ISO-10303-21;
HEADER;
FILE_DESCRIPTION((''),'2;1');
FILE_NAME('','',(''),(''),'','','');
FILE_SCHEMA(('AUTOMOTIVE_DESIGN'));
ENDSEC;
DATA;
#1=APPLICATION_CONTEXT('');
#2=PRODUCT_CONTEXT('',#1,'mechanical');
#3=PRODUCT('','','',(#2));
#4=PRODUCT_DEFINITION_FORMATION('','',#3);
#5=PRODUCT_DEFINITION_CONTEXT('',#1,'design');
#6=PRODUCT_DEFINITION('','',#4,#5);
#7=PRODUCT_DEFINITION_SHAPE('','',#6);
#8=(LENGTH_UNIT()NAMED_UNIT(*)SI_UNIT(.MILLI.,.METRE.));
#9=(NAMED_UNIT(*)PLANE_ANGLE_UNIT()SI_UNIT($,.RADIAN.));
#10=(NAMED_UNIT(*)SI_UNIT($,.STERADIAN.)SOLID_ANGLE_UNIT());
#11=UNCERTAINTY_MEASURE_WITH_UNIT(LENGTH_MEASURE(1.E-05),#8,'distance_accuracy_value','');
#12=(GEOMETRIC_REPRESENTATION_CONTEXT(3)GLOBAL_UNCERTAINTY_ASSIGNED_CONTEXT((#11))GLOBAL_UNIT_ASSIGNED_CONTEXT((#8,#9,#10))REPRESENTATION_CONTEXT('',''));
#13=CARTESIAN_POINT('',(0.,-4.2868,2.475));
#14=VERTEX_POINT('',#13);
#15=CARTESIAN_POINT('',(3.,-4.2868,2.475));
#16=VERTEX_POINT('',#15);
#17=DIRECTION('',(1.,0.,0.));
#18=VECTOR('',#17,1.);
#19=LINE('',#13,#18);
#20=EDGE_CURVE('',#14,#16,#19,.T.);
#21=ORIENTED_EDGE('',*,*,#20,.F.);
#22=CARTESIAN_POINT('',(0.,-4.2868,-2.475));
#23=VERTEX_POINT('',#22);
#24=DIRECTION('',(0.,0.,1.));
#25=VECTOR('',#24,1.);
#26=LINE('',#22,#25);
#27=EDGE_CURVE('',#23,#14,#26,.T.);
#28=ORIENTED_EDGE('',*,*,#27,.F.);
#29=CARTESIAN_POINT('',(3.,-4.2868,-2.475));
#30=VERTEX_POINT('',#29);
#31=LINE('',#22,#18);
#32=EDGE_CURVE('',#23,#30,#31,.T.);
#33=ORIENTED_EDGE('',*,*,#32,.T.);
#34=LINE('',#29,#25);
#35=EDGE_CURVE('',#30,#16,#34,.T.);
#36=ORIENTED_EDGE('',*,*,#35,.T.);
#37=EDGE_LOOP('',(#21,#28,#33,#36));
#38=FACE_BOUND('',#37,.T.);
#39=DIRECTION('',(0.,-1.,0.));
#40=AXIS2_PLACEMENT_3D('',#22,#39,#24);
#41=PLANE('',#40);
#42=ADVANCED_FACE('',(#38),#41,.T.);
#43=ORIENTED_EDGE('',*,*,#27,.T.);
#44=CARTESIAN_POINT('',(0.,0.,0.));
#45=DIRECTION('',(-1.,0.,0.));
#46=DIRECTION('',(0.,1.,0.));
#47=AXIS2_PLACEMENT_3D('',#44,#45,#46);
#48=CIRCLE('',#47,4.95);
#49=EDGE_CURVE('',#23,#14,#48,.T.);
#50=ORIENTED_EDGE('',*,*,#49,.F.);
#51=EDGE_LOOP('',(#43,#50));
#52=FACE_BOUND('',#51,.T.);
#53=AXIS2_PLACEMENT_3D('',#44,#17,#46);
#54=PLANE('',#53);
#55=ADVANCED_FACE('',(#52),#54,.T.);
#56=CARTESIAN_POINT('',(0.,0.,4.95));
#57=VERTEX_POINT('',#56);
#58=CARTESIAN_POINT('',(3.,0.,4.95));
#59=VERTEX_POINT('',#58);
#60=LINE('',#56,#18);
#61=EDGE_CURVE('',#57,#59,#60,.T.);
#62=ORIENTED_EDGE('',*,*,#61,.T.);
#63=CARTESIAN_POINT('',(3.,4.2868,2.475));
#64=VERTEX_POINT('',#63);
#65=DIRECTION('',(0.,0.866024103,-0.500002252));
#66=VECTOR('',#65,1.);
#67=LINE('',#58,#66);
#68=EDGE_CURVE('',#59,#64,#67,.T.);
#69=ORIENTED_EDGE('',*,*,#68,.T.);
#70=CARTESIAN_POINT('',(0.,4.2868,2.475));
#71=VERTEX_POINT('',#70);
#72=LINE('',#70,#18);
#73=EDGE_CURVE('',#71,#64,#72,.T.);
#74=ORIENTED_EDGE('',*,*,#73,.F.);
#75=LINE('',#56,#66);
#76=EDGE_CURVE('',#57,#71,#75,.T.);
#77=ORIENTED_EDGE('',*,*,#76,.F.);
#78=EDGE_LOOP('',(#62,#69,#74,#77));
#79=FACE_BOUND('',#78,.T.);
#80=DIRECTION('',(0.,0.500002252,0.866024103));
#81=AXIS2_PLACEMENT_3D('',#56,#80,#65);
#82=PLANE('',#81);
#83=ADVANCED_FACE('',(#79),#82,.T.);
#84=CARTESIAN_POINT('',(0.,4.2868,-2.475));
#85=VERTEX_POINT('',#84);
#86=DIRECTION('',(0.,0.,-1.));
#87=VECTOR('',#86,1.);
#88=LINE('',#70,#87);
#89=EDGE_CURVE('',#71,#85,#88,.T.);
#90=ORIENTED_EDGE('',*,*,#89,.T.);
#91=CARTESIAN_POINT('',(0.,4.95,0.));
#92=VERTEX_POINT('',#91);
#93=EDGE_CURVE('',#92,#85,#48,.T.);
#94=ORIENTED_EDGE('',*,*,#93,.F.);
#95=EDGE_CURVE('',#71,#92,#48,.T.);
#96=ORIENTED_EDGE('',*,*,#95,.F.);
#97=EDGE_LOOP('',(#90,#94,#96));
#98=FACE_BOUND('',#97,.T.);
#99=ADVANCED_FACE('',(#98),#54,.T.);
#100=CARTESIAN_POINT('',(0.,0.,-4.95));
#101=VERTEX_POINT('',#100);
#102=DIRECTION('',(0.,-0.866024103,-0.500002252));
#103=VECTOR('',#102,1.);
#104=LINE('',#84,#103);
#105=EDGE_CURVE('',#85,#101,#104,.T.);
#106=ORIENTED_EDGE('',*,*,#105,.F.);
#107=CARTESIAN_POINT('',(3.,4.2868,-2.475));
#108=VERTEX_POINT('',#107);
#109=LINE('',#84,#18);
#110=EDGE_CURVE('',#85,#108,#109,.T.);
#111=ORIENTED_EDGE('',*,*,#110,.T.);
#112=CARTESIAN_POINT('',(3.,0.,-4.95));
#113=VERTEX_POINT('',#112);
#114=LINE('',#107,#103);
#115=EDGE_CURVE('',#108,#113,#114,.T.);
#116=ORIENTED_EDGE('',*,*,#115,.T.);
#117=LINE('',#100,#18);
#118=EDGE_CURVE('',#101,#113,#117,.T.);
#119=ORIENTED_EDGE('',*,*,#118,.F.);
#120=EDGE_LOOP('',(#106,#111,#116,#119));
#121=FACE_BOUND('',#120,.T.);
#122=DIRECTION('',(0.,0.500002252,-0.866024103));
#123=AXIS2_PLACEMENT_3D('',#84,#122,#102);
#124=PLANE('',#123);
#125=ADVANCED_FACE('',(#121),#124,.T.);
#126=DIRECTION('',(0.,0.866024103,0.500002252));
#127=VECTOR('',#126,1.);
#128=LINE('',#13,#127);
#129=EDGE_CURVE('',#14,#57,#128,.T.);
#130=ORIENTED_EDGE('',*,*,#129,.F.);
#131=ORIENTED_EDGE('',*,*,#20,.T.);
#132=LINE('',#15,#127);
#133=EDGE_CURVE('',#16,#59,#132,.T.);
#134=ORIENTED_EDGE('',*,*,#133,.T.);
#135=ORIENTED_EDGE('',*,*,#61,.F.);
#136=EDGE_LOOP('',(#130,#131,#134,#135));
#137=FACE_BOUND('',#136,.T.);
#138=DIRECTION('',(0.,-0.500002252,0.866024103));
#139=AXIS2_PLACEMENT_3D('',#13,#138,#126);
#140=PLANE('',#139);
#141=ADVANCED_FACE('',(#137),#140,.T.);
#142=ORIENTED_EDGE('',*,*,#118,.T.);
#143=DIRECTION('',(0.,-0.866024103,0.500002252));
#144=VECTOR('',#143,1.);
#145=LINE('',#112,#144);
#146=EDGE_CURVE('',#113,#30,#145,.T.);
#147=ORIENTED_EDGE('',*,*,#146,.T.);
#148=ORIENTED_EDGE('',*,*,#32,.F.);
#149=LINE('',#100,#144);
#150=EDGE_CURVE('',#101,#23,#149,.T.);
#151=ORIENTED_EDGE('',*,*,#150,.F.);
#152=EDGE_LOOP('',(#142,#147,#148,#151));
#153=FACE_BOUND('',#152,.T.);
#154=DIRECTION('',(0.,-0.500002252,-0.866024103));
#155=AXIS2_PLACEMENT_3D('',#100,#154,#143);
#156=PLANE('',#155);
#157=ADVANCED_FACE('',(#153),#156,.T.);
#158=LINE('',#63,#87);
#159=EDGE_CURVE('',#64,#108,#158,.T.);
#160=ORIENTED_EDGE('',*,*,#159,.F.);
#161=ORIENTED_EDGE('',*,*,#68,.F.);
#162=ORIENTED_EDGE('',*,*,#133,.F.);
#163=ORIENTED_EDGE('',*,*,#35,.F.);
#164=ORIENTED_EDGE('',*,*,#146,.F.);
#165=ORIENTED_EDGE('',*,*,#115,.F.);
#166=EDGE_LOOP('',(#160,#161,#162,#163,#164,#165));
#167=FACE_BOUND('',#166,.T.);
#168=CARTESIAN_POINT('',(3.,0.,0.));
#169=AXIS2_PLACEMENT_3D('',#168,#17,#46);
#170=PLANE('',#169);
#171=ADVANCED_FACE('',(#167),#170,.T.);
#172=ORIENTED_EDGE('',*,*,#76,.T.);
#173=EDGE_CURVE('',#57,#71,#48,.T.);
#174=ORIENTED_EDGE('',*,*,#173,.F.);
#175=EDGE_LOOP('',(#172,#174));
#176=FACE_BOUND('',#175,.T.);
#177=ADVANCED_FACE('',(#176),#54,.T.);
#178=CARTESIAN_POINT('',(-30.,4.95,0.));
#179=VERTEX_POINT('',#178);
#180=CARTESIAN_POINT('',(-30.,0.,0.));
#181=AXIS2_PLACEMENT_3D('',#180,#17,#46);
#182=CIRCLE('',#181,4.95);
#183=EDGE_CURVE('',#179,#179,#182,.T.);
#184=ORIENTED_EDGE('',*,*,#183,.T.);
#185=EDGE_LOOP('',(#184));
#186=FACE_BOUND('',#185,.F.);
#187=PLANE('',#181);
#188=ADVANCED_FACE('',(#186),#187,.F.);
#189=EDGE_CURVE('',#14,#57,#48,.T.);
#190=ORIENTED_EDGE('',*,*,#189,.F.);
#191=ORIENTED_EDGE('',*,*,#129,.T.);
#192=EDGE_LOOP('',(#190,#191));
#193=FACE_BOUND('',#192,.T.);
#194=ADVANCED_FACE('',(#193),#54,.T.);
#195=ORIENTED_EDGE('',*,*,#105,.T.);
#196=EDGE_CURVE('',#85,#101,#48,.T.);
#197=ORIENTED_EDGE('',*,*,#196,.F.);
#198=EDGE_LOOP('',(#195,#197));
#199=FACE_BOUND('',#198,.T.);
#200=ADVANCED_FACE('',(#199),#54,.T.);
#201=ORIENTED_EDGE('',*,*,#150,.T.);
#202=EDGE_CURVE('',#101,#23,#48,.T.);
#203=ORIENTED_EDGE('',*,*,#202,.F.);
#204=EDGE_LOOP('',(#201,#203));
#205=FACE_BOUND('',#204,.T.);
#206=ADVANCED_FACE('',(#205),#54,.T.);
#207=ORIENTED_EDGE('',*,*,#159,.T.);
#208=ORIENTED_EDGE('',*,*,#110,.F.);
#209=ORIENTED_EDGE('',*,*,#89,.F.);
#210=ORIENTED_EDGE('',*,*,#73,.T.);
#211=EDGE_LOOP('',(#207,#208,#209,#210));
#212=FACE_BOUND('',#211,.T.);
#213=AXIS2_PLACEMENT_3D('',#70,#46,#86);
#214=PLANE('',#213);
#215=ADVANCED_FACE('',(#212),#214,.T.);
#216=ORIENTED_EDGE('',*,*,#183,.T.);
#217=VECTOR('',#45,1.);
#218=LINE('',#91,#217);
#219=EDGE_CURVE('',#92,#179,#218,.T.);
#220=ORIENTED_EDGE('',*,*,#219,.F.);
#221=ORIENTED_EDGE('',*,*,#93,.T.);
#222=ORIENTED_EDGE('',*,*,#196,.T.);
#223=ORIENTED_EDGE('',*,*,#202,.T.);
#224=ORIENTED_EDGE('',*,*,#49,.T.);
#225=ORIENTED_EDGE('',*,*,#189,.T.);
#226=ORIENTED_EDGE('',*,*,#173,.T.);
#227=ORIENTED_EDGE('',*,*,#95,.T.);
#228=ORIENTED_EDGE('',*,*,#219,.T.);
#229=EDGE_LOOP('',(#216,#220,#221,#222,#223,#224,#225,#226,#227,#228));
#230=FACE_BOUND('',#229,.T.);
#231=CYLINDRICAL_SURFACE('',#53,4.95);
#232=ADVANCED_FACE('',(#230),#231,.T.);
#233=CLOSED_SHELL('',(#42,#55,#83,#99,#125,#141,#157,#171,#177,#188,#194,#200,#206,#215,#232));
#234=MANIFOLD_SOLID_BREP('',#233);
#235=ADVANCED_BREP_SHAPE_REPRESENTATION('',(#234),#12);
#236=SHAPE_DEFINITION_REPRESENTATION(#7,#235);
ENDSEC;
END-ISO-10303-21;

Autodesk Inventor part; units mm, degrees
ref_plane "YZ Plane" through (0, 0, 0) normal (1, 0, 0) x (0, 1, 0)
ref_plane "XZ Plane" through (0, 0, 0) normal (0, 1, 0) x (-1, 0, 0)
ref_plane "XY Plane" through (0, 0, 0) normal (0, 0, 1) x (1, 0, 0)
sketch "Sketch1" plane through (0, 0, 0) normal (1, 0, 0) x (0, 1, 0)
  line L0 (0, -4.95) -> (-4.2868, -2.475)
  line L1 (-4.2868, -2.475) -> (-4.2868, 2.475)
  line L2 (-4.2868, 2.475) -> (0, 4.95)
  line L3 (0, 4.95) -> (4.2868, 2.475)
  line L4 (4.2868, 2.475) -> (4.2868, -2.475)
  line L5 (4.2868, -2.475) -> (0, -4.95)
  circle A0 centre (0, 0) radius 4.95
  dimension "d0" = 9.9
extrude "Extrusion1" add sketch "Sketch1" along normal blind 3 contours L0 L1 L2 L3 L4 L5
extrude "Extrusion2" add sketch "Sketch1" against normal blind 30
properties part number "EJE" material "Steel, Mild, Welded"
